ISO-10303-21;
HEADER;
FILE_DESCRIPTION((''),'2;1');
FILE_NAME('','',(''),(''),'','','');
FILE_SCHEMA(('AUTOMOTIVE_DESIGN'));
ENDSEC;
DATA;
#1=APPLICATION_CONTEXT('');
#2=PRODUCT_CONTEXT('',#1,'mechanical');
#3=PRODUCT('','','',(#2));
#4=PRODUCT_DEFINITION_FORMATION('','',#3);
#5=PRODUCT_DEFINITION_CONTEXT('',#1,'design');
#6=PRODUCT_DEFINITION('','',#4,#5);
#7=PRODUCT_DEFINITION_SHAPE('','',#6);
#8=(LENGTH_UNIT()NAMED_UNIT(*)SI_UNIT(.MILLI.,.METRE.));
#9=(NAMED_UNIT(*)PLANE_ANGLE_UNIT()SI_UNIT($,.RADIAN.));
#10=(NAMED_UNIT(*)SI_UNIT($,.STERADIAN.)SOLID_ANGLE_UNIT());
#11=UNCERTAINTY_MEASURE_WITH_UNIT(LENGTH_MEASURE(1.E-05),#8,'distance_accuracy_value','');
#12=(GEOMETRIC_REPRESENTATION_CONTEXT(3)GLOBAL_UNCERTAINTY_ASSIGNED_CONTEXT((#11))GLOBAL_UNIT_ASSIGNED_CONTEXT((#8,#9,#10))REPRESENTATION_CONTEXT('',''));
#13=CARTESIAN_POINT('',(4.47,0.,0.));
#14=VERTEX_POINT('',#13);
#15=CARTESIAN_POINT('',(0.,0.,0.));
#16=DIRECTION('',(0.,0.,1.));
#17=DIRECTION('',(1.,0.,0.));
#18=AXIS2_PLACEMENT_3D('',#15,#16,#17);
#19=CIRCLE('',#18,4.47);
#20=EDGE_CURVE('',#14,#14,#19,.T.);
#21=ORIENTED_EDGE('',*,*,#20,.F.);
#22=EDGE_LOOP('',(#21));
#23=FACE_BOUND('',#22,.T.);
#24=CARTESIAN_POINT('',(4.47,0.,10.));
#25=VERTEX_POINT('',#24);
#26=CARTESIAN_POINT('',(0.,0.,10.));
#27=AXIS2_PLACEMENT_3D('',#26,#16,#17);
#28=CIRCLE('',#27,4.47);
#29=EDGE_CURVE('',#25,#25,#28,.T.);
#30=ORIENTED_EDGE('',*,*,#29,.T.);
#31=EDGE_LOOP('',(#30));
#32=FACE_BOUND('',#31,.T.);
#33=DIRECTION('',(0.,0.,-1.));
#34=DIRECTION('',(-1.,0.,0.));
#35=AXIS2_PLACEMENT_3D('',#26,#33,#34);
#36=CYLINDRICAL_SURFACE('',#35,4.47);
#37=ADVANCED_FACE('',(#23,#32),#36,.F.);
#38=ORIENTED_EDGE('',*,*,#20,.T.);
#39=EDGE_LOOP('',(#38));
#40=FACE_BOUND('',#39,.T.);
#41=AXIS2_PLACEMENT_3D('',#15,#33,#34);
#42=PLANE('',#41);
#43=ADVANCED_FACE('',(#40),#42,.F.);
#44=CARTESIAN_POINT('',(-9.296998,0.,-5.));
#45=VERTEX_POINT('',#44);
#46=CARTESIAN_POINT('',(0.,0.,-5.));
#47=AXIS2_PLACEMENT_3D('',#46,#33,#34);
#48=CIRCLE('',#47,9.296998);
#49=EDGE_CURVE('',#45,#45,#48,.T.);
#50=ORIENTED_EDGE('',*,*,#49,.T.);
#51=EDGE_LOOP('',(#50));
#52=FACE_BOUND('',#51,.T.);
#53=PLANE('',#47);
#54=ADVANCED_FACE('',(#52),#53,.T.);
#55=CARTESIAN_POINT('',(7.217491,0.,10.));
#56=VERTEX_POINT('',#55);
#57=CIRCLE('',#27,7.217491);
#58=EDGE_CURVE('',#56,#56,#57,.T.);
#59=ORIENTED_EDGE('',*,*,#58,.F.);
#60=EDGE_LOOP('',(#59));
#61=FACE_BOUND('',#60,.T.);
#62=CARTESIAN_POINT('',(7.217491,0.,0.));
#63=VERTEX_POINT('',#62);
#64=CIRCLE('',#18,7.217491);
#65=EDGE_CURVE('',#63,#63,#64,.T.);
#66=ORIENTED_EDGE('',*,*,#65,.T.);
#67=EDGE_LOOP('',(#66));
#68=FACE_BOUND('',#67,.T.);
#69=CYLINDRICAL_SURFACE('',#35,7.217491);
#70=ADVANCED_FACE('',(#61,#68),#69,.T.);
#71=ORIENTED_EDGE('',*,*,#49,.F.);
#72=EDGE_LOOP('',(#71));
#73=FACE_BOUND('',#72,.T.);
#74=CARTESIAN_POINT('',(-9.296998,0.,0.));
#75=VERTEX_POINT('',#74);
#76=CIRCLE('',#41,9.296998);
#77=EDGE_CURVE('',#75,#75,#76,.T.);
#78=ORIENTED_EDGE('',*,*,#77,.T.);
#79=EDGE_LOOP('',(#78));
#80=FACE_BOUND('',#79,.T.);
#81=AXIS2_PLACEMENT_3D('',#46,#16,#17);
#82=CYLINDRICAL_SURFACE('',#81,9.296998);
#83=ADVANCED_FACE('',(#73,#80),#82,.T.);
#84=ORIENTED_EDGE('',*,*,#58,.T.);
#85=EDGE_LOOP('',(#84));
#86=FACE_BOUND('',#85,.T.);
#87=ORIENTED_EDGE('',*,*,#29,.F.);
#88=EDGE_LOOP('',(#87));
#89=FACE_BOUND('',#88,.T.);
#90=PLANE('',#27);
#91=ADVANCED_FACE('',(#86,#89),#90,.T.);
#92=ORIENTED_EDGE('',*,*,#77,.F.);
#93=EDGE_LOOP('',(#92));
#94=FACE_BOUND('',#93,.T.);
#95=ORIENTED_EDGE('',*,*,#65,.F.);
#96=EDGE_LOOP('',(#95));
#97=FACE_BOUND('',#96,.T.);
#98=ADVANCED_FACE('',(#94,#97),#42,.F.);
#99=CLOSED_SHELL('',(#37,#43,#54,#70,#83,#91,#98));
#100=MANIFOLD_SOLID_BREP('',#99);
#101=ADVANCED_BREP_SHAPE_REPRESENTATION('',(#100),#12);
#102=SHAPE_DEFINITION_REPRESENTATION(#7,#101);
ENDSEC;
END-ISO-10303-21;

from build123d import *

# Parameters (mm, degrees)
SKETCH1_R           = 7.217490794
SKETCH1_R_2         = 4.47
BOSS_EXTRUDE1_DEPTH = 10
SKETCH2_R           = 9.29699824
BOSS_EXTRUDE2_DEPTH = 5


with BuildPart() as part:
    # Sketch1 → Boss-Extrude1 (new body)
    with BuildSketch(Plane.XY):
        Circle(SKETCH1_R)
        Circle(SKETCH1_R_2, mode=Mode.SUBTRACT)
    extrude(amount=BOSS_EXTRUDE1_DEPTH)

    # Sketch2 → Boss-Extrude2 (add)
    with BuildSketch(Plane(origin=(0, 0, 0), x_dir=(-1, 0, 0), z_dir=(0, 0, -1))):
        Circle(SKETCH2_R)
    extrude(amount=BOSS_EXTRUDE2_DEPTH)


solid = part.part
